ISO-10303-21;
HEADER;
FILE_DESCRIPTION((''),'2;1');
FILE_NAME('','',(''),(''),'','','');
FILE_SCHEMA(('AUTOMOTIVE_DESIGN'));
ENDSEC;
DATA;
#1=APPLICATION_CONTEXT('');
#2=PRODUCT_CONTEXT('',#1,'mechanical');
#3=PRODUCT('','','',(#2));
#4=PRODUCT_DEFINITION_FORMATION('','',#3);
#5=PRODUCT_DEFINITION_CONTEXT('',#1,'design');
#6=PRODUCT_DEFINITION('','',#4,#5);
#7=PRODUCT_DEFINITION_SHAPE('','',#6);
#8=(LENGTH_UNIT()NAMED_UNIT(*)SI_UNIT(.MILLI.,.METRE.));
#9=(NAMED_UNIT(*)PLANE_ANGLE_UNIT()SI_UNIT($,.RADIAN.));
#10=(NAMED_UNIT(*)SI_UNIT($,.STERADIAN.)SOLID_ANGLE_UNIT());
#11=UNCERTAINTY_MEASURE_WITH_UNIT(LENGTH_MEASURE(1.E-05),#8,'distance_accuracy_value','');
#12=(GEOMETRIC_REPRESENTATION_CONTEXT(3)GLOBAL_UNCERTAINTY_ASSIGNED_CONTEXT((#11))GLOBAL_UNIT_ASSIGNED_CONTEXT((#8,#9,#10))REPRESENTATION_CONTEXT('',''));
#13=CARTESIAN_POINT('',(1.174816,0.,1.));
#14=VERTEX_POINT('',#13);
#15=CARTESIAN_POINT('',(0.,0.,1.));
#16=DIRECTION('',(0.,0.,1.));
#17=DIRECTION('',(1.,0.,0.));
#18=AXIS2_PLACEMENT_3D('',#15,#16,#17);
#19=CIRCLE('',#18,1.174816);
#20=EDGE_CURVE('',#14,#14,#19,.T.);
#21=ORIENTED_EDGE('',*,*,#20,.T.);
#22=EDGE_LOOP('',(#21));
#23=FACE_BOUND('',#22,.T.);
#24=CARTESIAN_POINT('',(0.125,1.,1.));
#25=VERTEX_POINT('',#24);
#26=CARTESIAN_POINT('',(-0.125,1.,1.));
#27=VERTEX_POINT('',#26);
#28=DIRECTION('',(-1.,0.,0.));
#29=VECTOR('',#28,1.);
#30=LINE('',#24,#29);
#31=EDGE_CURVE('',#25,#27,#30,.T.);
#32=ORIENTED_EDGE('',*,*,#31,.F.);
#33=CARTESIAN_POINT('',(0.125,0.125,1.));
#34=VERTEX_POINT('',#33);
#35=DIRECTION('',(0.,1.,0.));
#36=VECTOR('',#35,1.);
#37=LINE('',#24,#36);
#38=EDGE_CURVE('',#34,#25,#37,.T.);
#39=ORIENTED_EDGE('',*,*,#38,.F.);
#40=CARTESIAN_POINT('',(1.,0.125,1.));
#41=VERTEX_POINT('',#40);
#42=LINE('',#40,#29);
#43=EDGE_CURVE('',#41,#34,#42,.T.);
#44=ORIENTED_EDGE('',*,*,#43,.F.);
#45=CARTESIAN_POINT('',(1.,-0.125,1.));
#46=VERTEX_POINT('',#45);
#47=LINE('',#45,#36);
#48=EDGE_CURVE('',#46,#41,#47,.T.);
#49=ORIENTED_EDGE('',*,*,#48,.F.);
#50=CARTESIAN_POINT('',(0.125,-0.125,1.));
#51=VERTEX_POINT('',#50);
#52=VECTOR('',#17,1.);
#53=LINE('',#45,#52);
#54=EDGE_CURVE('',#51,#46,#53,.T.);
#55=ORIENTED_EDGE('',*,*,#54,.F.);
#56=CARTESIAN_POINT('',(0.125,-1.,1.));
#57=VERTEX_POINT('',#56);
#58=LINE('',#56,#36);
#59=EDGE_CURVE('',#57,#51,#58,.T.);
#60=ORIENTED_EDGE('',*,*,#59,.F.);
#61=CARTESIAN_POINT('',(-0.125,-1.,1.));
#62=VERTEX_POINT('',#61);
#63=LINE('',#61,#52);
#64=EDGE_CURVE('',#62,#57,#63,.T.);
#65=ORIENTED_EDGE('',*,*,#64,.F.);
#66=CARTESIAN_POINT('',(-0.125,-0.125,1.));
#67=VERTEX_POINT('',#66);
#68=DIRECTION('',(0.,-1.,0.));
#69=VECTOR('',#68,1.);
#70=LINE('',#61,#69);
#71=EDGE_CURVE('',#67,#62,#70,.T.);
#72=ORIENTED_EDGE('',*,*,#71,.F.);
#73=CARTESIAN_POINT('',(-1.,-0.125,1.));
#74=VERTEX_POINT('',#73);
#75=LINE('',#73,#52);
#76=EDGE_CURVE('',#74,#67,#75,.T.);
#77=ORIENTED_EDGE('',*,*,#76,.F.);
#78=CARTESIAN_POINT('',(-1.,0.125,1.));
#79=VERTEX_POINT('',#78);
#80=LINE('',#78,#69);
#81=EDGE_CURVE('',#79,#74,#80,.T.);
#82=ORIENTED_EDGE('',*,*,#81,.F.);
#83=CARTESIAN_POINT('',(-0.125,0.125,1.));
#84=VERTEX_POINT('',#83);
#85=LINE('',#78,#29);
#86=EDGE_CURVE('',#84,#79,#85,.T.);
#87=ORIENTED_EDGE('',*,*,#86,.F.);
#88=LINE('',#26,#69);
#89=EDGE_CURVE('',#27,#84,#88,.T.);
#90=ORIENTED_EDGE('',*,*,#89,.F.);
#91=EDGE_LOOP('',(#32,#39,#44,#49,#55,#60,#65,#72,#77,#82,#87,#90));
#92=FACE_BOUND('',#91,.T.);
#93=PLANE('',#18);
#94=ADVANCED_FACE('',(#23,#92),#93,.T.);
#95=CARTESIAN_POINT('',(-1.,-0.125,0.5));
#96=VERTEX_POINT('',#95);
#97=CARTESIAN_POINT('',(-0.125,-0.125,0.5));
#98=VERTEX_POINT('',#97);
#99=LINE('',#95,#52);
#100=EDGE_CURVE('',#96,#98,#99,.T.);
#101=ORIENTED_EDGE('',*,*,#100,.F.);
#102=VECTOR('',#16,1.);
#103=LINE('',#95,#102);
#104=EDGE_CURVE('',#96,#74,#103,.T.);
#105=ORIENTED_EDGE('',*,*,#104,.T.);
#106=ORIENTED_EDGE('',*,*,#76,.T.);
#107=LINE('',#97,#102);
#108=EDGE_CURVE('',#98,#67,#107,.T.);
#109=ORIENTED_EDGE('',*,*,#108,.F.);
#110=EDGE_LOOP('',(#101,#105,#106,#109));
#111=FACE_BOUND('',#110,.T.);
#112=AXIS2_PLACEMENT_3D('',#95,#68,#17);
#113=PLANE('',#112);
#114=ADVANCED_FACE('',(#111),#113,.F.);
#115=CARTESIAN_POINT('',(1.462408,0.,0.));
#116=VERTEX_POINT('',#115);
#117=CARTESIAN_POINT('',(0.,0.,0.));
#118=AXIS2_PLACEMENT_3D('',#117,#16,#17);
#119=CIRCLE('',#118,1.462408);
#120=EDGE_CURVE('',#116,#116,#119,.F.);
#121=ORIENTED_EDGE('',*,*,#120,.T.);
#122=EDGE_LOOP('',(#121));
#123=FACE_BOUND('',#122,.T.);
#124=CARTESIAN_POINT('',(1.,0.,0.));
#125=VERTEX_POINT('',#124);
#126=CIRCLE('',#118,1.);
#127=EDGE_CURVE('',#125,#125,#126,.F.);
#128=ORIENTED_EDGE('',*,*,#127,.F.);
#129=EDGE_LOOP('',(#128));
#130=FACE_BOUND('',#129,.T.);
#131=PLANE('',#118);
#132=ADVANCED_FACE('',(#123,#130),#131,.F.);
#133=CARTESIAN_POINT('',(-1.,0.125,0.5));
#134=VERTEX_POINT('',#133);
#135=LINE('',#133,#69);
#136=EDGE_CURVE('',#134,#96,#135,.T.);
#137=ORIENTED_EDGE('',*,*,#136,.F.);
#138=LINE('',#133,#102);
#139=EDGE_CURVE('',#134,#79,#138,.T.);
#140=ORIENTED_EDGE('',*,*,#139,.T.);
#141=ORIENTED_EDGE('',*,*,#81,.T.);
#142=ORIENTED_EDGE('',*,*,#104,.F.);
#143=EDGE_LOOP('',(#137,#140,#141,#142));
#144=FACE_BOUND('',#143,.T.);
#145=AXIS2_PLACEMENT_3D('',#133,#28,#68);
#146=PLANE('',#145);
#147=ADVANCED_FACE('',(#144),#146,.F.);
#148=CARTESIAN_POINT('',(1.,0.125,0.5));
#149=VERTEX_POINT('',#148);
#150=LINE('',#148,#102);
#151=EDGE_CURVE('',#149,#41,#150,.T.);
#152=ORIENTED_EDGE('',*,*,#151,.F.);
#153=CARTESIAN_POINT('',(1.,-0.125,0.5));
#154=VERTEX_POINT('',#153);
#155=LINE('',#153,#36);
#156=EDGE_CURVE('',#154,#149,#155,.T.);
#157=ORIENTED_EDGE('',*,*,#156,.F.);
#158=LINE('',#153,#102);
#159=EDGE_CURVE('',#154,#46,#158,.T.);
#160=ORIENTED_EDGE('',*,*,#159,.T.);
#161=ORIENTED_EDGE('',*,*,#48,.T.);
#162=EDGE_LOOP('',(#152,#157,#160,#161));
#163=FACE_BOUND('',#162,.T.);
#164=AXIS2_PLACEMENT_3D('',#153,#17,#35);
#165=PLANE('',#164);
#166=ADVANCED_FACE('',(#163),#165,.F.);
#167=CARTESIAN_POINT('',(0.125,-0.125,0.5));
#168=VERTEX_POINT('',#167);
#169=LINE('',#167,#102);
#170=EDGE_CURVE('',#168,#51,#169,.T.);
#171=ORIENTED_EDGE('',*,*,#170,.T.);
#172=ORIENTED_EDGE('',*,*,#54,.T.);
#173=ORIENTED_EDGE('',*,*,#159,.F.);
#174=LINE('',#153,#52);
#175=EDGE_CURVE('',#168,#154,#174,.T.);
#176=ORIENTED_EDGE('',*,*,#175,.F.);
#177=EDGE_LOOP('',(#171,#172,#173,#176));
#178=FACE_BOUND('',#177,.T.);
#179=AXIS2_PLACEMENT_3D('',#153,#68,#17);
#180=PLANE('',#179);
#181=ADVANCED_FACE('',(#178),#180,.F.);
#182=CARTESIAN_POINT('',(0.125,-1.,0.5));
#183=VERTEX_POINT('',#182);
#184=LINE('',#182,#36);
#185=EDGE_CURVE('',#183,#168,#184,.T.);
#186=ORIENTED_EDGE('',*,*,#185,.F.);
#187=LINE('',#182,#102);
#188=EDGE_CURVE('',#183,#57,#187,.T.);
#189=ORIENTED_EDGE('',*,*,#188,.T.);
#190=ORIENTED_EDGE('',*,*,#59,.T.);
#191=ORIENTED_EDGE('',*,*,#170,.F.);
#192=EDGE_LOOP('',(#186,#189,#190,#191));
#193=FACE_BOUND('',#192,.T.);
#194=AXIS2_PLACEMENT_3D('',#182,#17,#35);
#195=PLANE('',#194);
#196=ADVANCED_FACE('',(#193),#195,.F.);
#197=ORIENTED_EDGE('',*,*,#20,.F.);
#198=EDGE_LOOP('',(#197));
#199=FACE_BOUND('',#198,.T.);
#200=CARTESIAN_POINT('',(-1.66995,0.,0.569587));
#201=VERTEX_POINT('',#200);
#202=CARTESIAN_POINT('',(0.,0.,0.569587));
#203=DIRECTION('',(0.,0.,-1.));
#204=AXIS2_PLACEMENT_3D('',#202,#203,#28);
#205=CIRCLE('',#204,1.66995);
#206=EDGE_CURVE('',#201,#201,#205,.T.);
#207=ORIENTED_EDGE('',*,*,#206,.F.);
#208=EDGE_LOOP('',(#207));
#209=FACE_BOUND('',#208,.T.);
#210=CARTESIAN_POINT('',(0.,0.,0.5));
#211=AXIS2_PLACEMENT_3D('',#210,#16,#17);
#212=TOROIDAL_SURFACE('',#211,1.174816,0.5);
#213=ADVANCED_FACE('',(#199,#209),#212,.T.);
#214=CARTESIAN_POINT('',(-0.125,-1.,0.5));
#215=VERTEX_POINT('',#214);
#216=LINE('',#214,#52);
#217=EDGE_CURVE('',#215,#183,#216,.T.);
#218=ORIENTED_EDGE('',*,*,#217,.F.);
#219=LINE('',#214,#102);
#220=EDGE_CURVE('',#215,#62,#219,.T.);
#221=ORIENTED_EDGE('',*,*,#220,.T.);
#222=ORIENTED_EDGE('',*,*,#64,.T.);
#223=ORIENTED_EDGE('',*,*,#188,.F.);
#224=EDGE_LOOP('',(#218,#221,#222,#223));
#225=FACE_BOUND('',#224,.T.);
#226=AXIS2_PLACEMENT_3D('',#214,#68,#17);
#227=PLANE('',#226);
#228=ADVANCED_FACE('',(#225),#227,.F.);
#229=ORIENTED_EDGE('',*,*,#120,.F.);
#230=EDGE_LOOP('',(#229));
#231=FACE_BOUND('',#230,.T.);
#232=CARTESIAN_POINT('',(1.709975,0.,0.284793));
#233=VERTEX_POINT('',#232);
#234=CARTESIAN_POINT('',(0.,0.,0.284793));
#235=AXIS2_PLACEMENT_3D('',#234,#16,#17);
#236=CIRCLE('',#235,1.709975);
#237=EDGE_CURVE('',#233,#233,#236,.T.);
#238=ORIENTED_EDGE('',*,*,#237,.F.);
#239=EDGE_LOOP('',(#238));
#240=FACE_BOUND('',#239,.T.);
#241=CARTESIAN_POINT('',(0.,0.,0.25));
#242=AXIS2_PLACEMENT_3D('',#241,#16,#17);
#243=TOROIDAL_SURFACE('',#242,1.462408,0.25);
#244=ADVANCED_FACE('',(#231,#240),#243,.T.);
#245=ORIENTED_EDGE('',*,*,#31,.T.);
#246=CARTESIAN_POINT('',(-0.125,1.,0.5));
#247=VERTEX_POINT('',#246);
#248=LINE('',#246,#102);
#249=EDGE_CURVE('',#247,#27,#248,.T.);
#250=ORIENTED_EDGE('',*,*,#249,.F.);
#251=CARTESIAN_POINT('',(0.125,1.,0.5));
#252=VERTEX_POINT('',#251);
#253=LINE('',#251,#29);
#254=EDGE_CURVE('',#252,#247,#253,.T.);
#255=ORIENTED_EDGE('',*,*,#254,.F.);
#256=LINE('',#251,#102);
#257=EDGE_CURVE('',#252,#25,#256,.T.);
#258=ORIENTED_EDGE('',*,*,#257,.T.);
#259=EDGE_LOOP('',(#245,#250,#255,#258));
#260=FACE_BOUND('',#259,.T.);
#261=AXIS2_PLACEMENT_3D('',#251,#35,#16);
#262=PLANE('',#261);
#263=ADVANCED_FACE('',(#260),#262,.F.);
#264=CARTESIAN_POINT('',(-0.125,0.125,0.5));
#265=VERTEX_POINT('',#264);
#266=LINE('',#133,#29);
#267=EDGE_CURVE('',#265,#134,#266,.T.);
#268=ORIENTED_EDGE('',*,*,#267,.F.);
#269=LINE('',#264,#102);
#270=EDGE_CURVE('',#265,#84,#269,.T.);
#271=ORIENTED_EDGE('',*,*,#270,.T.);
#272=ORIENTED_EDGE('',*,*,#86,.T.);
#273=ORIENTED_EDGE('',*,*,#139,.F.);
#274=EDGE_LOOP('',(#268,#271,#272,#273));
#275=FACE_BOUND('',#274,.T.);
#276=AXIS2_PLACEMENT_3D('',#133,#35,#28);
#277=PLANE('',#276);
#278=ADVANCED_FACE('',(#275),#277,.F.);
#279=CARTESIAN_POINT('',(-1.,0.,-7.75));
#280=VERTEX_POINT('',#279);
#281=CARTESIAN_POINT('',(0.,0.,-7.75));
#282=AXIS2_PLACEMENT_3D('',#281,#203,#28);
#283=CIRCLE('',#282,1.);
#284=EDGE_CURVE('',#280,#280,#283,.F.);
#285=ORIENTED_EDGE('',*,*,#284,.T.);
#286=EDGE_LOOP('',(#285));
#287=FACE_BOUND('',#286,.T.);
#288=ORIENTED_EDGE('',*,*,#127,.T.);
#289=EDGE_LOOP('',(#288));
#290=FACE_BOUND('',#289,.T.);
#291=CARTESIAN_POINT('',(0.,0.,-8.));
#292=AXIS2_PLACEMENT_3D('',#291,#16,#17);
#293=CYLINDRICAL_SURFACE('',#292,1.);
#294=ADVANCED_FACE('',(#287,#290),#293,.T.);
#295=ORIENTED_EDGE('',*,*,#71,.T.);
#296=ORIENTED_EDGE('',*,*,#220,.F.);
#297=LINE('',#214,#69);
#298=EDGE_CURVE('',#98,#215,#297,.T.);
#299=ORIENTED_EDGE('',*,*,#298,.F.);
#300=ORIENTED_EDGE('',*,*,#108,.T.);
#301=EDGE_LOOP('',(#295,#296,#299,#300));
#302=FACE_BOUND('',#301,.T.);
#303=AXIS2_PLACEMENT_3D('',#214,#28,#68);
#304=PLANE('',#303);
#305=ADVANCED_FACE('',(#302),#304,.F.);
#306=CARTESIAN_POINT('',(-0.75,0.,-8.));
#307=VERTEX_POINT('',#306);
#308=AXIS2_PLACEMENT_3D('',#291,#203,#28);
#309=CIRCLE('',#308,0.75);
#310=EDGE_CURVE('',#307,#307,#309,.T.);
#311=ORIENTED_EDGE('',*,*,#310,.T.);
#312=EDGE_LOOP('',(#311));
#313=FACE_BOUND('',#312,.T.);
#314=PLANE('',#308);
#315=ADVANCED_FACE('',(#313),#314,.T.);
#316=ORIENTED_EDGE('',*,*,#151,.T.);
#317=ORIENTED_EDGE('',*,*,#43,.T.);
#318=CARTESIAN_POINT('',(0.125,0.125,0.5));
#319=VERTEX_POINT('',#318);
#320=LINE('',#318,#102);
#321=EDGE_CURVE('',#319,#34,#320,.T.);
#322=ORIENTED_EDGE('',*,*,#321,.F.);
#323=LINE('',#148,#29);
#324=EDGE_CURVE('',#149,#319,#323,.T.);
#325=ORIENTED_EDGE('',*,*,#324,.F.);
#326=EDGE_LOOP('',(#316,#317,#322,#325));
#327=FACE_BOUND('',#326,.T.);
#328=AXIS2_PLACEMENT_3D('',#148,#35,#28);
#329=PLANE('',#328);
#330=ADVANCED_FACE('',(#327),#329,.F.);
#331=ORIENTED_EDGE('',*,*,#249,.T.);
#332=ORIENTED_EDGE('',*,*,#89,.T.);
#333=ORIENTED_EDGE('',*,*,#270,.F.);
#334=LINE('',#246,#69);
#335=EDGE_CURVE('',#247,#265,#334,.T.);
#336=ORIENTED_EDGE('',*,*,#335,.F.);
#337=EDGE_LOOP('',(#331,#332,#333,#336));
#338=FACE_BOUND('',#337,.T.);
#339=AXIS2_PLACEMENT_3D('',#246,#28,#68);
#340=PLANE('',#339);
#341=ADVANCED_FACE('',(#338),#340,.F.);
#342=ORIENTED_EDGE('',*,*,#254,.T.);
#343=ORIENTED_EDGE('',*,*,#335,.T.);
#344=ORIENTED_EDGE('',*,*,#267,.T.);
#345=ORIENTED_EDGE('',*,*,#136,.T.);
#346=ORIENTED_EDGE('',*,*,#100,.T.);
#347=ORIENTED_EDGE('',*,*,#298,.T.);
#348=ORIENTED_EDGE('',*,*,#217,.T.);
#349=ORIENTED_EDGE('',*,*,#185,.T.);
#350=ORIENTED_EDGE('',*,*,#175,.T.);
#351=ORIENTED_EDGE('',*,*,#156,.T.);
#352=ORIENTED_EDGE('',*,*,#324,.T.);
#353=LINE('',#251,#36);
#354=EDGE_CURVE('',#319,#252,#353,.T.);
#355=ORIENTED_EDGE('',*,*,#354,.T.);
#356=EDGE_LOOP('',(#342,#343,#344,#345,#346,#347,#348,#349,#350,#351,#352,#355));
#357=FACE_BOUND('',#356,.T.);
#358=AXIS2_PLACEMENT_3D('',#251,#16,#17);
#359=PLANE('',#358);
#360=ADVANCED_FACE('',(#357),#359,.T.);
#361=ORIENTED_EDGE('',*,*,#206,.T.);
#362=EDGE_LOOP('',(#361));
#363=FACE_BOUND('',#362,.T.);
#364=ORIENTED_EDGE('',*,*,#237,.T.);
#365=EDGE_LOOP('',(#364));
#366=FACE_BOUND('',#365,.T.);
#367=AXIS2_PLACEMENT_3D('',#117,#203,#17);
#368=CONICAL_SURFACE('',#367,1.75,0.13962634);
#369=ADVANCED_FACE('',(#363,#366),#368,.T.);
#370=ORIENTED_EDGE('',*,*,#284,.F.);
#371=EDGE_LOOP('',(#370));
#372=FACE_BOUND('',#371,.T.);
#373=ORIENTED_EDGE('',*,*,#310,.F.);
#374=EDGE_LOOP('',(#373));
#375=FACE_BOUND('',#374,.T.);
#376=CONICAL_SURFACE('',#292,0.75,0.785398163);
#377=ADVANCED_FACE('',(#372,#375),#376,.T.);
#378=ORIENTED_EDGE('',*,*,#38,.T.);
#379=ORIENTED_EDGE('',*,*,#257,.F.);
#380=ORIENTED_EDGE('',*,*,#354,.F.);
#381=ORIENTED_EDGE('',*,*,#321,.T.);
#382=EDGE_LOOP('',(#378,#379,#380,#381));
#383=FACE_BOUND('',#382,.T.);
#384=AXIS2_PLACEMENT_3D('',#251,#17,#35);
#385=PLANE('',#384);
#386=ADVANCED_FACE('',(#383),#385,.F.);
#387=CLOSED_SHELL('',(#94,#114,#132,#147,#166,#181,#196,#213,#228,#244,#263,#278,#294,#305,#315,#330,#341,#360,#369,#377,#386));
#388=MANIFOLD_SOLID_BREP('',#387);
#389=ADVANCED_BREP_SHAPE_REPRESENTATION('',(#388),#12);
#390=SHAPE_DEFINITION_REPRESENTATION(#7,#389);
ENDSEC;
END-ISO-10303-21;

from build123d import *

# Parameters (mm, degrees)
ESQUISSE1_R             = 1.75
BASE_EXTRUSION_DEPTH    = 1
BASE_EXTRUSION_TAPER    = 8
CONG_1_R                = 0.5
ESQUISSE2_R             = 1
BOSS_EXTRU_1_DEPTH      = 8
CHANFREIN1_SIZE         = 0.25
ENL_V_MAT_EXTRU_1_DEPTH = 0.5
CONG_2_R                = 0.25


with BuildPart() as part:
    # Esquisse1 → Base-Extrusion (new body)
    with BuildSketch(Plane.XY):
        Circle(ESQUISSE1_R)
    extrude(amount=BASE_EXTRUSION_DEPTH, taper=BASE_EXTRUSION_TAPER)

    # Congé1
    cong_1_edges = [part.edges().sort_by_distance(p)[0] for p in [
        (-1.609459165, 0, 1),
    ]]
    fillet(cong_1_edges, radius=CONG_1_R)

    # Esquisse2 → Boss.-Extru.1 (add)
    with BuildSketch(Plane(origin=(0, 0, 0), x_dir=(-1, 0, 0), z_dir=(0, 0, -1))):
        Circle(ESQUISSE2_R)
    extrude(amount=BOSS_EXTRU_1_DEPTH)

    # Chanfrein1
    chanfrein1_edges = [part.edges().sort_by_distance(p)[0] for p in [
        (1, 0, -8),
    ]]
    chamfer(chanfrein1_edges, length=CHANFREIN1_SIZE)

    # Esquisse3 → Enlèv. mat.-Extru.1 (cut)
    with BuildSketch(Plane.XY.offset(1)):
        Polygon((-0.125, 1), (-0.125, 0.125), (-1, 0.125), (-1, -0.125), (-0.125, -0.125), (-0.125, -1), (0.125, -1), (0.125, -0.125), (1, -0.125), (1, 0.125), (0.125, 0.125), (0.125, 1), align=None)
    extrude(amount=-ENL_V_MAT_EXTRU_1_DEPTH, mode=Mode.SUBTRACT)

    # Congé2
    cong_2_edges = [part.edges().sort_by_distance(p)[0] for p in [
        (-1.75, 0, 0),
    ]]
    fillet(cong_2_edges, radius=CONG_2_R)


solid = part.part
